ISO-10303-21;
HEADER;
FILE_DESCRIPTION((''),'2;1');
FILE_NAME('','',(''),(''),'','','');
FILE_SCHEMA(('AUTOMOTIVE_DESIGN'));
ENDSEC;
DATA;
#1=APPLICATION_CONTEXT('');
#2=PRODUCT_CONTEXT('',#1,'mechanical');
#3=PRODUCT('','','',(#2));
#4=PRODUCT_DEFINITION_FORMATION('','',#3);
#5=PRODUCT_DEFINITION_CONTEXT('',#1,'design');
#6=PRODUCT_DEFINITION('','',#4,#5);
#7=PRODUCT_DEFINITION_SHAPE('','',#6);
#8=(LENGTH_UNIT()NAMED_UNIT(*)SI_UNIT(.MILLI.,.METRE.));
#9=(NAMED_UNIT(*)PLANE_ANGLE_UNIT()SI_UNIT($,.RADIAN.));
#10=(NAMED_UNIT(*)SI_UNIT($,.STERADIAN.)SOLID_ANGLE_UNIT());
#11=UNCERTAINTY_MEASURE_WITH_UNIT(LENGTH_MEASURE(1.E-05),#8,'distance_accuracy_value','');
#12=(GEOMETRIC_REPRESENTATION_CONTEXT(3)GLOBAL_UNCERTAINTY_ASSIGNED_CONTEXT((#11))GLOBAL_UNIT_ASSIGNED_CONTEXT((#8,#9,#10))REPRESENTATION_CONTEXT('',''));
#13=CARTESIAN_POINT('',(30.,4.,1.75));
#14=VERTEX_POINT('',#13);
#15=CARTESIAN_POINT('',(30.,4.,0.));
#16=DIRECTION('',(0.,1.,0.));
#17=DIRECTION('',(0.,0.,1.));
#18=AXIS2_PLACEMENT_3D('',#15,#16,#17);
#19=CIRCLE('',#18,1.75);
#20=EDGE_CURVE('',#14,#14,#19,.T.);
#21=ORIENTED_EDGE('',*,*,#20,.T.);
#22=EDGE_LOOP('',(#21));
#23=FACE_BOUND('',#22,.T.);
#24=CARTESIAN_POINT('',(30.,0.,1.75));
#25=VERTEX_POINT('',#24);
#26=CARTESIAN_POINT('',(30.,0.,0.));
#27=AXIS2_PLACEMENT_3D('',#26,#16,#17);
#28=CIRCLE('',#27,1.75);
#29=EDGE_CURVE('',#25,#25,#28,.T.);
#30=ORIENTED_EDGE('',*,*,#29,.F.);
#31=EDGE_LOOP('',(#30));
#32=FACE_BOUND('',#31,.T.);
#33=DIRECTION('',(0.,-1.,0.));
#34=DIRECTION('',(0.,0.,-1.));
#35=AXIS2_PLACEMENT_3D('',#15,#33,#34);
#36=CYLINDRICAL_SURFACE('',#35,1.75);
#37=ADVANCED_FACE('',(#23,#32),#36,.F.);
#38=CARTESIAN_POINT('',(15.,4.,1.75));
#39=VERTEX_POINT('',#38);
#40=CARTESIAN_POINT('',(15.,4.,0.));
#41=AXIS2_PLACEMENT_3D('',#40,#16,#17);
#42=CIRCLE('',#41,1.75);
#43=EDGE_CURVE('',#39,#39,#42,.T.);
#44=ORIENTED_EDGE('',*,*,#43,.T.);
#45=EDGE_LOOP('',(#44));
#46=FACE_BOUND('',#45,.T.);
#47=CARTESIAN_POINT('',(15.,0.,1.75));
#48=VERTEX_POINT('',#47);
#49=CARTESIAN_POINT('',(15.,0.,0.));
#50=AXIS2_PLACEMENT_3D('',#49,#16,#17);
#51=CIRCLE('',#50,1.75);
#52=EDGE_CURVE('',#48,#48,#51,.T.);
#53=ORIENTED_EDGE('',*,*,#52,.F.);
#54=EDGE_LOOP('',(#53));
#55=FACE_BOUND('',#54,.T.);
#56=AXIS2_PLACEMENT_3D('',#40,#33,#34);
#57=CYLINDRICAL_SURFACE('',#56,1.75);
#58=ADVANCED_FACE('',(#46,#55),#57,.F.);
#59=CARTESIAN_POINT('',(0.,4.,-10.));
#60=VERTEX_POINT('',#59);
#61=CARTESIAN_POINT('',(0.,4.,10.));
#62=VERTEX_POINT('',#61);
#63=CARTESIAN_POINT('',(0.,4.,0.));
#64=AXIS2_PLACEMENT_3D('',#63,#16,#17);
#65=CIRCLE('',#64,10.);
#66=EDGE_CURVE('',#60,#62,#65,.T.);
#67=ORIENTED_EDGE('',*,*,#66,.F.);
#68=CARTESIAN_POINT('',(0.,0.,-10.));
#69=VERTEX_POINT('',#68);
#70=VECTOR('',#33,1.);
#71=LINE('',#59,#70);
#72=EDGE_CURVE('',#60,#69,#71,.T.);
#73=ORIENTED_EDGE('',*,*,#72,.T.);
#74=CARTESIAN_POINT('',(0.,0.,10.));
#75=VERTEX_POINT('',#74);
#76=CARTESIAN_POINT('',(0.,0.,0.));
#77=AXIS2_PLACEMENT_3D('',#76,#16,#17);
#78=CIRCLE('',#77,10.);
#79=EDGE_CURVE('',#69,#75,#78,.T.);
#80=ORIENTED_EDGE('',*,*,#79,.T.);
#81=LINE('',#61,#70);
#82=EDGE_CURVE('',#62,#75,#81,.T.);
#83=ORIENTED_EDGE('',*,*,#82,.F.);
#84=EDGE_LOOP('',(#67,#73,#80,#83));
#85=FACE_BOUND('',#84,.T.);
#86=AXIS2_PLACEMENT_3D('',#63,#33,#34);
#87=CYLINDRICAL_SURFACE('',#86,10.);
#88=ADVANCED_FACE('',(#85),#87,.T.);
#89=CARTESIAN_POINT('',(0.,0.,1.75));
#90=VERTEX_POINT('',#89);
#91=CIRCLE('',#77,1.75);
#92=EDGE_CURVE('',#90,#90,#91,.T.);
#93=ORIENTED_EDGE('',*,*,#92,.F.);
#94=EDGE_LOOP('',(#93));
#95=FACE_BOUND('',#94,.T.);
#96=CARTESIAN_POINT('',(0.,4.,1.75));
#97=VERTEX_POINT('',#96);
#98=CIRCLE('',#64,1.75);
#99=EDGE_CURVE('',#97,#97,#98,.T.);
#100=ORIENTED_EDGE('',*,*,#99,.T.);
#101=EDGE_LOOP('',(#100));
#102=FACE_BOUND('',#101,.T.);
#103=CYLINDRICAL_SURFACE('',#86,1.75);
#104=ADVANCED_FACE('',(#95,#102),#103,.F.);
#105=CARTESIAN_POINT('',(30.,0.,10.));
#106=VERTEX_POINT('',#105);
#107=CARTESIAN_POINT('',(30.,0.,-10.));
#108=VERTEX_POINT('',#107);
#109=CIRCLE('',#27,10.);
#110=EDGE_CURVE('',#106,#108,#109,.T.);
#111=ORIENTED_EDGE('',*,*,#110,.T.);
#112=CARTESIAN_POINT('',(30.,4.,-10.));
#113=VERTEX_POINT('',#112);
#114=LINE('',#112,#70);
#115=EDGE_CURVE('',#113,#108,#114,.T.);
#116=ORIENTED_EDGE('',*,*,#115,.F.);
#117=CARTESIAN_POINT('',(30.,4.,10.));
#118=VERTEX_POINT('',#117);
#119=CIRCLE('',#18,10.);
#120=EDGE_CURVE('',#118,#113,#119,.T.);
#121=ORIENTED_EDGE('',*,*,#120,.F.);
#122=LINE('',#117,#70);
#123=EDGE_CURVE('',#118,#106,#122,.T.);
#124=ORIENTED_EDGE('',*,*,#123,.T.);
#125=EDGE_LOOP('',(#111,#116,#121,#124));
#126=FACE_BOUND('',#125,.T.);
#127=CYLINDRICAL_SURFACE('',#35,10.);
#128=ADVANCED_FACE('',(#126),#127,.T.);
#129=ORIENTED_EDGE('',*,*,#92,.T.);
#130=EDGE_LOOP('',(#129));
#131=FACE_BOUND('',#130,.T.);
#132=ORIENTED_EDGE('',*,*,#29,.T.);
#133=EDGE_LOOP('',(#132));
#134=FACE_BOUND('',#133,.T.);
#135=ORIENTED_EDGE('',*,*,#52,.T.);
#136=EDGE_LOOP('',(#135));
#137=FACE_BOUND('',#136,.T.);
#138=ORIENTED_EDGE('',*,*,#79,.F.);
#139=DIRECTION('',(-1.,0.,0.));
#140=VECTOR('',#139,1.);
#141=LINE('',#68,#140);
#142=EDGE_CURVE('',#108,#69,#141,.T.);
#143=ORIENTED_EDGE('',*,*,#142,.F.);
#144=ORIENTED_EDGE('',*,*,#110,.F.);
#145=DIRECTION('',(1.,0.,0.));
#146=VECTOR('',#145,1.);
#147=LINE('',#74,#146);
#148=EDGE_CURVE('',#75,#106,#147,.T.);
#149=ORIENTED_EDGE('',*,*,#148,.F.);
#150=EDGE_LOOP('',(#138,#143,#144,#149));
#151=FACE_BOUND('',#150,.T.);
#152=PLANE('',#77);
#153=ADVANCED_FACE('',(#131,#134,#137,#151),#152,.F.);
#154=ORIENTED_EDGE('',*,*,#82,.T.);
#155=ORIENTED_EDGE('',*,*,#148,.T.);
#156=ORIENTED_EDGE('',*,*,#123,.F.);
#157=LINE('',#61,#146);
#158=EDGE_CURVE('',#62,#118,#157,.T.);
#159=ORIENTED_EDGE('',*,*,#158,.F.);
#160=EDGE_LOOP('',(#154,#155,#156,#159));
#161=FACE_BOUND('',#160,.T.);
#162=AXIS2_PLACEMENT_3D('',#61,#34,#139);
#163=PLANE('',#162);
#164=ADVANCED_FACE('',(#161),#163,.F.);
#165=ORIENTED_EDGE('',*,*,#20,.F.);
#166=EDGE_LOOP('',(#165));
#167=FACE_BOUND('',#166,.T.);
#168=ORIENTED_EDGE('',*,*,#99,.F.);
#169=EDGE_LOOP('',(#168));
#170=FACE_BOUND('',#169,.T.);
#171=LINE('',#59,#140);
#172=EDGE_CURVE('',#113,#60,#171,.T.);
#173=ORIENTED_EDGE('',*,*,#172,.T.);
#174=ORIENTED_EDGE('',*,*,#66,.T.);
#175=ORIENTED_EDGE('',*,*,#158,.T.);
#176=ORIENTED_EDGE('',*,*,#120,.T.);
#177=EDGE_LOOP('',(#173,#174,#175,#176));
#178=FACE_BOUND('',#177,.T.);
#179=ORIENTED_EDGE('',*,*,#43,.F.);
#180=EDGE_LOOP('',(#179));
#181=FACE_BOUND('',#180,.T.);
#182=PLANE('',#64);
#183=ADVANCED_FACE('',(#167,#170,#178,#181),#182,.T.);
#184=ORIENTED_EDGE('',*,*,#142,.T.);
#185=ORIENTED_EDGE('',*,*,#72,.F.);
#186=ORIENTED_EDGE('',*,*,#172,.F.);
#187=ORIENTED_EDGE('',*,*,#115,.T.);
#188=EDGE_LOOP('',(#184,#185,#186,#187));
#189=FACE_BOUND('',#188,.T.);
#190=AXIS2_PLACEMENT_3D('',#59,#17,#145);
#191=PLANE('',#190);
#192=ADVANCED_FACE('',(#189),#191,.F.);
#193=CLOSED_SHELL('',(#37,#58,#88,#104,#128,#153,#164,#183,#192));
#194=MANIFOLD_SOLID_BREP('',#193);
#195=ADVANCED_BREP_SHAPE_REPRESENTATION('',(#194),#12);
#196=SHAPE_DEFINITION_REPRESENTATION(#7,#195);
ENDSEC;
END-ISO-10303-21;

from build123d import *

# Parameters (mm, degrees)
SKETCH_1_R      = 1.75
EXTRUDE_1_DEPTH = 4


with BuildPart() as part:
    # Эскиз1 → Бобышка-Вытянуть1 (new body)
    with BuildSketch(Plane(origin=(0, 0, 0), x_dir=(1, 0, 0), z_dir=(0, 1, 0))):
        with BuildLine():
            Line((0, 10), (30, 10))
            ThreePointArc((30, 10), (40, 0), (30, -10))
            Line((30, -10), (0, -10))
            ThreePointArc((0, -10), (-10, 0), (0, 10))
        make_face()
        with Locations(Location((0, 0, 0), (0, 0, 270))):
            Circle(SKETCH_1_R, mode=Mode.SUBTRACT)
        with Locations(Location((30, 0, 0), (0, 0, 270))):
            Circle(SKETCH_1_R, mode=Mode.SUBTRACT)
        with Locations(Location((15, 0, 0), (0, 0, 270))):
            Circle(SKETCH_1_R, mode=Mode.SUBTRACT)
    extrude(amount=EXTRUDE_1_DEPTH)


solid = part.part
